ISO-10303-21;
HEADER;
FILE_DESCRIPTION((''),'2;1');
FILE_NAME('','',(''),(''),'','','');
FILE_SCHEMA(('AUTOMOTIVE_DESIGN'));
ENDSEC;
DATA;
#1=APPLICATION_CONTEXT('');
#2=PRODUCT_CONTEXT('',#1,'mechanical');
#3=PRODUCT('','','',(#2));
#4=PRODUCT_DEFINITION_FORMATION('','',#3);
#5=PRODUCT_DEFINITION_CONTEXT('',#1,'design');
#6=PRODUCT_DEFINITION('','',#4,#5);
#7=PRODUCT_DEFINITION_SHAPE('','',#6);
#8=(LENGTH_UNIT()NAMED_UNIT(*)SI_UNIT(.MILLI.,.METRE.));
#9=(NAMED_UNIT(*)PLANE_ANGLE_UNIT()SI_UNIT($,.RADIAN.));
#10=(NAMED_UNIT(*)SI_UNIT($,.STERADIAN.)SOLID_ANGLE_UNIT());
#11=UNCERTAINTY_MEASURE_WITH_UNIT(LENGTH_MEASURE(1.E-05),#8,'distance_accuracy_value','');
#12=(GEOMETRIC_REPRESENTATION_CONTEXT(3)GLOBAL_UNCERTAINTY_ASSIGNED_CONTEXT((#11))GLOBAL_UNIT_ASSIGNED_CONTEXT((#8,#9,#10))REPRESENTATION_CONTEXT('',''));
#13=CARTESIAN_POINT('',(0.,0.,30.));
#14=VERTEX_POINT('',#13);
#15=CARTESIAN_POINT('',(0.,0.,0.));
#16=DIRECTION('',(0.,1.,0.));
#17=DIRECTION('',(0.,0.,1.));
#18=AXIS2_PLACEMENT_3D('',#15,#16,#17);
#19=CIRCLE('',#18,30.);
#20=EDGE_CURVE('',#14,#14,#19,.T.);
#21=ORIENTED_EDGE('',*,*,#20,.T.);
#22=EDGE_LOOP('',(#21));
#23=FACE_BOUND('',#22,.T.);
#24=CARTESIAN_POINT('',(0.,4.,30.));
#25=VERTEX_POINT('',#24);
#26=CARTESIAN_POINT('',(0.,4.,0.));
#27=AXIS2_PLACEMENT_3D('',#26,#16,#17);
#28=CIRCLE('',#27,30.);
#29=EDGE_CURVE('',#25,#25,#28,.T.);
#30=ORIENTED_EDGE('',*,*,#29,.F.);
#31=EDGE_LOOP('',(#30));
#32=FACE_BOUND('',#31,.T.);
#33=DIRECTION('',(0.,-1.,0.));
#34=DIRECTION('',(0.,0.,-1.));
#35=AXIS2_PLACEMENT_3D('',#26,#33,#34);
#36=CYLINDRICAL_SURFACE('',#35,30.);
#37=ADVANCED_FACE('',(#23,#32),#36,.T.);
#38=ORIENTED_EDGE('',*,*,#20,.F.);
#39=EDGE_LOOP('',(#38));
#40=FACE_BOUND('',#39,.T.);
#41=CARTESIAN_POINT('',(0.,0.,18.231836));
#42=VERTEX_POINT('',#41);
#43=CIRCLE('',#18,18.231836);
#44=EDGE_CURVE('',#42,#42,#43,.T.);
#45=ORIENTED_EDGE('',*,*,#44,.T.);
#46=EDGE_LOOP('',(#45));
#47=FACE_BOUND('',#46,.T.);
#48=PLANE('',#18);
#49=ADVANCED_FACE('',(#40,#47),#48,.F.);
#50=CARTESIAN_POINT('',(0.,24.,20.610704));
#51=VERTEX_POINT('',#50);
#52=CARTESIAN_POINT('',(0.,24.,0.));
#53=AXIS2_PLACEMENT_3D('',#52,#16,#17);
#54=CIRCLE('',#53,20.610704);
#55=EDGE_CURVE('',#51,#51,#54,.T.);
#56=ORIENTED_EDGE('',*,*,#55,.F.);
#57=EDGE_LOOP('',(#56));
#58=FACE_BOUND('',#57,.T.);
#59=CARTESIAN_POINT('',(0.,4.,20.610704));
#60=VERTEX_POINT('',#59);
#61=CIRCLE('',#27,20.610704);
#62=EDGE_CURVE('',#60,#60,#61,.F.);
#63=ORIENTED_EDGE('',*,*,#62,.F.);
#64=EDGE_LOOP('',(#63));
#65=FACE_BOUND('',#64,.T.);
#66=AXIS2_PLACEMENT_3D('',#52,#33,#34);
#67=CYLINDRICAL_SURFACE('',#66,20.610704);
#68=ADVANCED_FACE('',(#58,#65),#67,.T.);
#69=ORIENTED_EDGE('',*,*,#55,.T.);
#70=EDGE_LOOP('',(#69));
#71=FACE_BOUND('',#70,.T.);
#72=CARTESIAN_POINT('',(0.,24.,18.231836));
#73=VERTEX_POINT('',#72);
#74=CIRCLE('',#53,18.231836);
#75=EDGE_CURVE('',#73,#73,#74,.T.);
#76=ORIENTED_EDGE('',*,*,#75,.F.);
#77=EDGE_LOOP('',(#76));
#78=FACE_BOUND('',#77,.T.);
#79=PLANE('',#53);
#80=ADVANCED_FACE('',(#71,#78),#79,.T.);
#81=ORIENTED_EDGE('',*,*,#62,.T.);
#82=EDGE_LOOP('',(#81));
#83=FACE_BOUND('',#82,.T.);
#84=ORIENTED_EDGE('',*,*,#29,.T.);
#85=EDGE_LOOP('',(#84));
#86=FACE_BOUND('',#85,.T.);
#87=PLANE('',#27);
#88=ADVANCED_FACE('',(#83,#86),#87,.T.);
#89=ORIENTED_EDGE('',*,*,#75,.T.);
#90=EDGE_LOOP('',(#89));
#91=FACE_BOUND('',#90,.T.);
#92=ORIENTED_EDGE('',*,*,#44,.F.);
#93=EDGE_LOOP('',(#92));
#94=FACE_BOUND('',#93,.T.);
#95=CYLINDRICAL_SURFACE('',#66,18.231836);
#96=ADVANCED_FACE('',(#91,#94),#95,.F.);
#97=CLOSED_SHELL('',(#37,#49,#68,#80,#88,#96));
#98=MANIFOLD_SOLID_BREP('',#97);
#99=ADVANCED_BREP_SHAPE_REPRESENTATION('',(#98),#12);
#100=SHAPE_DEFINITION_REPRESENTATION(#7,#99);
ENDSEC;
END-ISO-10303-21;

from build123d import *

# Parameters (mm, degrees)
SKETCH1_R           = 30
BOSS_EXTRUDE1_DEPTH = 4
SKETCH1_3_R         = 20.610704172
BOSS_EXTRUDE2_DEPTH = 24
SKETCH1_6_R         = 18.231835924
CUT_EXTRUDE1_DEPTH  = 49.744230428


with BuildPart() as part:
    # Sketch1 → Boss-Extrude1 (new body)
    with BuildSketch(Plane(origin=(0, 0, 0), x_dir=(1, 0, 0), z_dir=(0, 1, 0))):
        Circle(SKETCH1_R)
    extrude(amount=BOSS_EXTRUDE1_DEPTH)

    # Sketch1<3> → Boss-Extrude2 (add)
    with BuildSketch(Plane(origin=(0, 0, 0), x_dir=(1, 0, 0), z_dir=(0, 1, 0))):
        Circle(SKETCH1_3_R)
    extrude(amount=BOSS_EXTRUDE2_DEPTH)

    # Sketch1<6> → Cut-Extrude1 (cut, through all)
    with BuildSketch(Plane(origin=(0, 0, 0), x_dir=(1, 0, 0), z_dir=(0, 1, 0))):
        Circle(SKETCH1_6_R)
    extrude(amount=CUT_EXTRUDE1_DEPTH, mode=Mode.SUBTRACT)


solid = part.part
